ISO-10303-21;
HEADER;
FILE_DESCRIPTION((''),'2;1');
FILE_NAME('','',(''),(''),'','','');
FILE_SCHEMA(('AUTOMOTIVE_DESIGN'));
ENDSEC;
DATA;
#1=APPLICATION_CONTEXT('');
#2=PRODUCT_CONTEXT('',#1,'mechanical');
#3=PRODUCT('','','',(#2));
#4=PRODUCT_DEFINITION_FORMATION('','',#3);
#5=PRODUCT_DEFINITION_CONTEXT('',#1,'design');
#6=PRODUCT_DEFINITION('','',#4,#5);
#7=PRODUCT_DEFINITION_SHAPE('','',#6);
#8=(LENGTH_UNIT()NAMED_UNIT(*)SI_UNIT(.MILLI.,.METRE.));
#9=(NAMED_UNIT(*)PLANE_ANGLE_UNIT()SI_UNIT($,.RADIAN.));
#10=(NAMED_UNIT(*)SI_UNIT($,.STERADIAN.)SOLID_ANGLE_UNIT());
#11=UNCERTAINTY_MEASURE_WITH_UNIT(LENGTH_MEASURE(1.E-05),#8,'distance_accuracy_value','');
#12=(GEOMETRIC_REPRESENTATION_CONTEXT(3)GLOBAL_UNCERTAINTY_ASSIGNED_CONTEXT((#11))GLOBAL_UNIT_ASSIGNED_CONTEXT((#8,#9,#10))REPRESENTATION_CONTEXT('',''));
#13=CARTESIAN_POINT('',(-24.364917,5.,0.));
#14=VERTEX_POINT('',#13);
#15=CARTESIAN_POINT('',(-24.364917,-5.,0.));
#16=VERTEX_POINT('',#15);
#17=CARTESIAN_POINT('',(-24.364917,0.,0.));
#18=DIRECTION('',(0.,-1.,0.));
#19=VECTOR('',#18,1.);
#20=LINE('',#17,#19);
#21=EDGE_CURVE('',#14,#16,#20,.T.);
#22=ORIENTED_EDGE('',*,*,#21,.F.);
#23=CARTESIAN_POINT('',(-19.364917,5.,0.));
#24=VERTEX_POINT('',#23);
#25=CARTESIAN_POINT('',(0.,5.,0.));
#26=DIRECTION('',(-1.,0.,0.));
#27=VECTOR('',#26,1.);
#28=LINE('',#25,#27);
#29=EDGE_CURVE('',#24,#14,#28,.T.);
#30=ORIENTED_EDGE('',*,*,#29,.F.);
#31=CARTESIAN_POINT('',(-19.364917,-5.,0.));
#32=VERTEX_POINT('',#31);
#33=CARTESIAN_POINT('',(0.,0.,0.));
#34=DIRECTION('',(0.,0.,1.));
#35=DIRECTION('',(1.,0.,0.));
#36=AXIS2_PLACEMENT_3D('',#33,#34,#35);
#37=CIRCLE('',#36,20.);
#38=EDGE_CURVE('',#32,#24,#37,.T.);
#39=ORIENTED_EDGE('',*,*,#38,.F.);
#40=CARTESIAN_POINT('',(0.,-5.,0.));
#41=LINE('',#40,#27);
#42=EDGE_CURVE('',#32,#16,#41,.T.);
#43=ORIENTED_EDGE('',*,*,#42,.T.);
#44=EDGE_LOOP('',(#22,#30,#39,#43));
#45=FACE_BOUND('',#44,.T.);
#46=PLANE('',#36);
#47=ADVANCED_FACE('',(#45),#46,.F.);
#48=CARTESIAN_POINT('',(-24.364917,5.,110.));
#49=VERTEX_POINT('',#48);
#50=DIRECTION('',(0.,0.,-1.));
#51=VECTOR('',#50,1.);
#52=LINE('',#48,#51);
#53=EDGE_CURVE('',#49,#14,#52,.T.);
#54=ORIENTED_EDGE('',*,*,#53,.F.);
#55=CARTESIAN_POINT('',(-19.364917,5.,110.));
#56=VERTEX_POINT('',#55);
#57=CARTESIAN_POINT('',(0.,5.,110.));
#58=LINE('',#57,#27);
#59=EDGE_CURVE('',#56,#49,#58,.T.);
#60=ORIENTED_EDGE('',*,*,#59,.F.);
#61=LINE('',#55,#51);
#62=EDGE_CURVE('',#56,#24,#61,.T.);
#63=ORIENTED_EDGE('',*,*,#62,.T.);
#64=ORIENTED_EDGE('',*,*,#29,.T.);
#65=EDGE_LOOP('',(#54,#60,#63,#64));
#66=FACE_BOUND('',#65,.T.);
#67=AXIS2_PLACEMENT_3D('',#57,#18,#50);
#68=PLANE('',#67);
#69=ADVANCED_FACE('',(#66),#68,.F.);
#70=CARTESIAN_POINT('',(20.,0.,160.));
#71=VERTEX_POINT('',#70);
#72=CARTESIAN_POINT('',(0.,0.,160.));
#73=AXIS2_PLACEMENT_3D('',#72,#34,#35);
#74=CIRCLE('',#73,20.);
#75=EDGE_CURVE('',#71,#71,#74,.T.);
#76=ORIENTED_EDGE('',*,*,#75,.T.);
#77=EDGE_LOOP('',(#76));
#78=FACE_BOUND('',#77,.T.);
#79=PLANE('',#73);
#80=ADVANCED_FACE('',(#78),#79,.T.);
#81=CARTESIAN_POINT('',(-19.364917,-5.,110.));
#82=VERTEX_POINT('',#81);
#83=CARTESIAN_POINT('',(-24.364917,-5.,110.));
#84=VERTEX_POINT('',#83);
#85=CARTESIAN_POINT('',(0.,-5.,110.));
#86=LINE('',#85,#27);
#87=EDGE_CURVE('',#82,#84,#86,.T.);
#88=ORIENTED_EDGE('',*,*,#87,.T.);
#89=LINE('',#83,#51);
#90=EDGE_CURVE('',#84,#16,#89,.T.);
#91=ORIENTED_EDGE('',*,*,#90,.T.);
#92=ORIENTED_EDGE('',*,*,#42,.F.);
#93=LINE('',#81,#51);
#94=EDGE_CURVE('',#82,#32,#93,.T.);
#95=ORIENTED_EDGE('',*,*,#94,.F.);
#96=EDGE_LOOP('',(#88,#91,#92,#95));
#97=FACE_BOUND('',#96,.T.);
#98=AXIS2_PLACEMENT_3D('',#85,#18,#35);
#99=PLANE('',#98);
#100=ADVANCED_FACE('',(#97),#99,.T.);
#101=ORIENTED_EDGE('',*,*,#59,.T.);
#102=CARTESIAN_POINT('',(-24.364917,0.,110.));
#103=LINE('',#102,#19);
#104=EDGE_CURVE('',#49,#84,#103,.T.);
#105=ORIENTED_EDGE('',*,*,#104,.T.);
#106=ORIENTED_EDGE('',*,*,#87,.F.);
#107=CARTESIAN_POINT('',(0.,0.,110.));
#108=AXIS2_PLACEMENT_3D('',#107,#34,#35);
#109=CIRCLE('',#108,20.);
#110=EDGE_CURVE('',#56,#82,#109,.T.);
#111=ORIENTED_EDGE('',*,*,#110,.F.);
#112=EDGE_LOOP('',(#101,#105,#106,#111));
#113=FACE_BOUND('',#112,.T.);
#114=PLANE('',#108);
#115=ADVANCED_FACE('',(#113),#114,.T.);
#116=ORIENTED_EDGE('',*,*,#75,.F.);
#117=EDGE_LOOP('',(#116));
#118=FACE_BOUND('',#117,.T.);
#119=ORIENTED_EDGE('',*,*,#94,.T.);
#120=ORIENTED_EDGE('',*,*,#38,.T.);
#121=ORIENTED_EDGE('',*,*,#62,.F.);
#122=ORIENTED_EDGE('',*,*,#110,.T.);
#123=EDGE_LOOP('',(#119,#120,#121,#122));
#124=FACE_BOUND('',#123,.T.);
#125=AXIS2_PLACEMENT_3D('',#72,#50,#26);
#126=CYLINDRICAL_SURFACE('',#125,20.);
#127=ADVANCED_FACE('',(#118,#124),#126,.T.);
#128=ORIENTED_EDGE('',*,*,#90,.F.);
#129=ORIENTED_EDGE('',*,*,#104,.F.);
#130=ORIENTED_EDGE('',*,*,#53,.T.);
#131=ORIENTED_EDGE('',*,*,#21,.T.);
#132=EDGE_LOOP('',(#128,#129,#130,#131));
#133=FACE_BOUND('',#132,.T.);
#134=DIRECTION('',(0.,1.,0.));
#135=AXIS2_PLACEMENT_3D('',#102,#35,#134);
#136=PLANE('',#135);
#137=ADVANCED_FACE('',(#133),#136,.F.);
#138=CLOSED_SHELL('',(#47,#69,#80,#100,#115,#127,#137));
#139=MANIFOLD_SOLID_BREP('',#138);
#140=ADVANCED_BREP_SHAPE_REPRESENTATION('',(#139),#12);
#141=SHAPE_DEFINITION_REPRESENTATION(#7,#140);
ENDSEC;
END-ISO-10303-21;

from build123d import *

# Parameters (mm, degrees)
SKETCH1_R           = 20
BOSS_EXTRUDE1_DEPTH = 160
BOSS_EXTRUDE2_DEPTH = 110


with BuildPart() as part:
    # Sketch1 → Boss-Extrude1 (new body)
    with BuildSketch(Plane.XY):
        Circle(SKETCH1_R)
    extrude(amount=BOSS_EXTRUDE1_DEPTH)

    # Sketch1<3> → Boss-Extrude2 (add)
    with BuildSketch(Plane.XY):
        with BuildLine():
            Line((-24.364916731, 5), (-24.364916731, -5))
            Line((-24.364916731, -5), (-19.364916731, -5))
            ThreePointArc((-19.364916731, -5), (-20, 0), (-19.364916731, 5))
            Line((-19.364916731, 5), (-24.364916731, 5))
        make_face()
    extrude(amount=BOSS_EXTRUDE2_DEPTH)


solid = part.part
